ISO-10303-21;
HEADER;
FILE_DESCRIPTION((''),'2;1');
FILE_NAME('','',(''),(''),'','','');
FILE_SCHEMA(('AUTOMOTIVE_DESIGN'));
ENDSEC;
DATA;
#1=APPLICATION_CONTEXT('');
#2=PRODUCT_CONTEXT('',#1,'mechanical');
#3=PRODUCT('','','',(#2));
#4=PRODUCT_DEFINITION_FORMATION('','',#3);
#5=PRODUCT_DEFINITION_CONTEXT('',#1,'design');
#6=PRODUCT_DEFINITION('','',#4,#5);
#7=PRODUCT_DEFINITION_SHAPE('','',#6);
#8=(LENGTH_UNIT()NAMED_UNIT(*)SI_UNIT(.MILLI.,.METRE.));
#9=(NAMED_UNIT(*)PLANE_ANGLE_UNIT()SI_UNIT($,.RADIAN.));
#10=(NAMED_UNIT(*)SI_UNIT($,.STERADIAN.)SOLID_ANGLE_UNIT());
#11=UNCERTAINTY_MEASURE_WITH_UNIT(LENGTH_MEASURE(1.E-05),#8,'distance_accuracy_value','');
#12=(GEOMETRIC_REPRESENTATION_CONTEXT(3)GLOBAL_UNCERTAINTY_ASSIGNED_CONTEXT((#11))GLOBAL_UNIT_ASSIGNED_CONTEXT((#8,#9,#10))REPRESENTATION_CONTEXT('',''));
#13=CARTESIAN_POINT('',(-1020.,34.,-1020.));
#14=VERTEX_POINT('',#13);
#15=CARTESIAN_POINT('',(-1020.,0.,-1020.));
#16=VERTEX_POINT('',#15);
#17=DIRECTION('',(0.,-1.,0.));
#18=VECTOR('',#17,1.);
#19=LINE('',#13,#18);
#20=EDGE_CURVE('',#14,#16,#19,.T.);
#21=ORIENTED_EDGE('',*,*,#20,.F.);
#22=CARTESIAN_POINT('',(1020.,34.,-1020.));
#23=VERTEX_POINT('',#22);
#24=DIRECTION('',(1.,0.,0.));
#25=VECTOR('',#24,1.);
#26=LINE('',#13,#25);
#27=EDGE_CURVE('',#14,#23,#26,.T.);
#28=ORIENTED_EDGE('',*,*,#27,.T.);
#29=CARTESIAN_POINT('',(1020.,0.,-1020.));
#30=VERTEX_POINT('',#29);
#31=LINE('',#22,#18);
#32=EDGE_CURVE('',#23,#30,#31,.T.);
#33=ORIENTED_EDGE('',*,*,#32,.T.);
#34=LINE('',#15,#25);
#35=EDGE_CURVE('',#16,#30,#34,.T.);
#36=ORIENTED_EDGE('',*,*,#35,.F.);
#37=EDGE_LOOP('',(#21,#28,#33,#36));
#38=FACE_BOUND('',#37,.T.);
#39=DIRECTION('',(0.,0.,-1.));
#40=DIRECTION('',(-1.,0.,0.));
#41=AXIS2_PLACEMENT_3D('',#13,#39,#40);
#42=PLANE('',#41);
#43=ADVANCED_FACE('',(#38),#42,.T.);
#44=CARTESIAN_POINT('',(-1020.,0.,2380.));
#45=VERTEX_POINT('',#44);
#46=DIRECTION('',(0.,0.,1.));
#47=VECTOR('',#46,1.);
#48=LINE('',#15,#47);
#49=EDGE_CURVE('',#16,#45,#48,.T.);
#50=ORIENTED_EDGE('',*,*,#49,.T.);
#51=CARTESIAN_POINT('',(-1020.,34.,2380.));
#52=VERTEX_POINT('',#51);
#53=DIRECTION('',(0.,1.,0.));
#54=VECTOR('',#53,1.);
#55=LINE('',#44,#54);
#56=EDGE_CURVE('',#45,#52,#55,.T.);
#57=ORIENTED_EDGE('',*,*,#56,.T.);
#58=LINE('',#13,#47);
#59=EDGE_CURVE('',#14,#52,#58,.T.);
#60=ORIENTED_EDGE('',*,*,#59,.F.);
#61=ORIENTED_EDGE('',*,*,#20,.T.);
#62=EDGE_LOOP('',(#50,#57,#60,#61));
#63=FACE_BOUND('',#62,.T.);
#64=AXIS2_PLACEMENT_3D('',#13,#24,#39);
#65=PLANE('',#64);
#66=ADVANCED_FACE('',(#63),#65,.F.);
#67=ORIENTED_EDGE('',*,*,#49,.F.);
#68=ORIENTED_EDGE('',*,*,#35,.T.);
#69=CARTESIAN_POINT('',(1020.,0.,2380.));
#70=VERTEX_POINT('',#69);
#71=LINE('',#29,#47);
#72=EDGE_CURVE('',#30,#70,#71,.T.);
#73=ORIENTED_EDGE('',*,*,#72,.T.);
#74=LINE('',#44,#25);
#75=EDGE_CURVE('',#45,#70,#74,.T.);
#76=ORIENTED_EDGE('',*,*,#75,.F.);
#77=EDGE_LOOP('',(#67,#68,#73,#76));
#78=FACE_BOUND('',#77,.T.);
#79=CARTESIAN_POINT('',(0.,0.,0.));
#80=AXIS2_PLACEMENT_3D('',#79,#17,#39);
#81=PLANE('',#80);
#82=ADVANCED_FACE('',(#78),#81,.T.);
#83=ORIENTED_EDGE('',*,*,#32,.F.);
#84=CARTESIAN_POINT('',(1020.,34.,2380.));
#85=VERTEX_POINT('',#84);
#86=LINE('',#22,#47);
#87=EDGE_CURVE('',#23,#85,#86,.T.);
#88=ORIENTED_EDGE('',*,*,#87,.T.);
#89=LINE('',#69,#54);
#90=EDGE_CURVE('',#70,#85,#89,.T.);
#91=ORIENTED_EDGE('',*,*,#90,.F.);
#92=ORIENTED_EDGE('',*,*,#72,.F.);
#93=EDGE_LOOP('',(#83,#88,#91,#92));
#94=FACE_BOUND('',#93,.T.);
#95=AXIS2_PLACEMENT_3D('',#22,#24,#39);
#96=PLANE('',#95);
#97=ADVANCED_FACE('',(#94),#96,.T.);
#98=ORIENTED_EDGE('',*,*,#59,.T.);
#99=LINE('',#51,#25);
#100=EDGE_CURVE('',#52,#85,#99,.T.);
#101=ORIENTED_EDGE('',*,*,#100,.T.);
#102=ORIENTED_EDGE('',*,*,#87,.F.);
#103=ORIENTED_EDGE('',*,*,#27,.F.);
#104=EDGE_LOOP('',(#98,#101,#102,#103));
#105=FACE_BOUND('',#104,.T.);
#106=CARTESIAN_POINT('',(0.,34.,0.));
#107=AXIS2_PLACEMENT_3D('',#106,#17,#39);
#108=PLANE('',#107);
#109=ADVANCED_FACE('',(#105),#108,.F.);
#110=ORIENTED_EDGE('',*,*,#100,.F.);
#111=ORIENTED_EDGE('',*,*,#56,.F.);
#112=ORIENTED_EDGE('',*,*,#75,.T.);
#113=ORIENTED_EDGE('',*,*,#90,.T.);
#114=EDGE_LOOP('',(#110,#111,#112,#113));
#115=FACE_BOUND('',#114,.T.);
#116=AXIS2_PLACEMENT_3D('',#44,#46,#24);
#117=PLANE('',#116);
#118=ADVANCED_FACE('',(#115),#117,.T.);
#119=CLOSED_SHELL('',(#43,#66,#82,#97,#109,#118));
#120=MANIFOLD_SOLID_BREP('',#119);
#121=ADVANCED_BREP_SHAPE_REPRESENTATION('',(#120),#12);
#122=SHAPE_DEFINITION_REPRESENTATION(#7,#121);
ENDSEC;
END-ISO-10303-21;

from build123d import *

# Parameters (mm, degrees)
SKETCH_1_W      = 1200
SKETCH_1_H      = 1200
EXTRUDE_1_DEPTH = 20
SKETCH_6_W      = 1200
SKETCH_6_H      = 800
EXTRUDE_3_DEPTH = 20
SCALE_1_SCALE   = 1.7


with BuildPart() as part:
    # 草图1 → 凸台-拉伸1 (new body)
    with BuildSketch(Plane(origin=(0, 0, 0), x_dir=(1, 0, 0), z_dir=(0, 1, 0))):
        Rectangle(SKETCH_1_W, SKETCH_1_H)
    extrude(amount=EXTRUDE_1_DEPTH)

    # 草图6 → 凸台-拉伸3 (add)
    with BuildSketch(Plane(origin=(0, 20, 0), x_dir=(1, 0, 0), z_dir=(0, 1, 0))):
        with Locations((0, -1000)):
            Rectangle(SKETCH_6_W, SKETCH_6_H)
    extrude(amount=-EXTRUDE_3_DEPTH)


with BuildPart() as part_1:
    # 缩放比例1: scaled about (0, 0, 0)
    add(part.part.scale(SCALE_1_SCALE))


solid = part_1.part
